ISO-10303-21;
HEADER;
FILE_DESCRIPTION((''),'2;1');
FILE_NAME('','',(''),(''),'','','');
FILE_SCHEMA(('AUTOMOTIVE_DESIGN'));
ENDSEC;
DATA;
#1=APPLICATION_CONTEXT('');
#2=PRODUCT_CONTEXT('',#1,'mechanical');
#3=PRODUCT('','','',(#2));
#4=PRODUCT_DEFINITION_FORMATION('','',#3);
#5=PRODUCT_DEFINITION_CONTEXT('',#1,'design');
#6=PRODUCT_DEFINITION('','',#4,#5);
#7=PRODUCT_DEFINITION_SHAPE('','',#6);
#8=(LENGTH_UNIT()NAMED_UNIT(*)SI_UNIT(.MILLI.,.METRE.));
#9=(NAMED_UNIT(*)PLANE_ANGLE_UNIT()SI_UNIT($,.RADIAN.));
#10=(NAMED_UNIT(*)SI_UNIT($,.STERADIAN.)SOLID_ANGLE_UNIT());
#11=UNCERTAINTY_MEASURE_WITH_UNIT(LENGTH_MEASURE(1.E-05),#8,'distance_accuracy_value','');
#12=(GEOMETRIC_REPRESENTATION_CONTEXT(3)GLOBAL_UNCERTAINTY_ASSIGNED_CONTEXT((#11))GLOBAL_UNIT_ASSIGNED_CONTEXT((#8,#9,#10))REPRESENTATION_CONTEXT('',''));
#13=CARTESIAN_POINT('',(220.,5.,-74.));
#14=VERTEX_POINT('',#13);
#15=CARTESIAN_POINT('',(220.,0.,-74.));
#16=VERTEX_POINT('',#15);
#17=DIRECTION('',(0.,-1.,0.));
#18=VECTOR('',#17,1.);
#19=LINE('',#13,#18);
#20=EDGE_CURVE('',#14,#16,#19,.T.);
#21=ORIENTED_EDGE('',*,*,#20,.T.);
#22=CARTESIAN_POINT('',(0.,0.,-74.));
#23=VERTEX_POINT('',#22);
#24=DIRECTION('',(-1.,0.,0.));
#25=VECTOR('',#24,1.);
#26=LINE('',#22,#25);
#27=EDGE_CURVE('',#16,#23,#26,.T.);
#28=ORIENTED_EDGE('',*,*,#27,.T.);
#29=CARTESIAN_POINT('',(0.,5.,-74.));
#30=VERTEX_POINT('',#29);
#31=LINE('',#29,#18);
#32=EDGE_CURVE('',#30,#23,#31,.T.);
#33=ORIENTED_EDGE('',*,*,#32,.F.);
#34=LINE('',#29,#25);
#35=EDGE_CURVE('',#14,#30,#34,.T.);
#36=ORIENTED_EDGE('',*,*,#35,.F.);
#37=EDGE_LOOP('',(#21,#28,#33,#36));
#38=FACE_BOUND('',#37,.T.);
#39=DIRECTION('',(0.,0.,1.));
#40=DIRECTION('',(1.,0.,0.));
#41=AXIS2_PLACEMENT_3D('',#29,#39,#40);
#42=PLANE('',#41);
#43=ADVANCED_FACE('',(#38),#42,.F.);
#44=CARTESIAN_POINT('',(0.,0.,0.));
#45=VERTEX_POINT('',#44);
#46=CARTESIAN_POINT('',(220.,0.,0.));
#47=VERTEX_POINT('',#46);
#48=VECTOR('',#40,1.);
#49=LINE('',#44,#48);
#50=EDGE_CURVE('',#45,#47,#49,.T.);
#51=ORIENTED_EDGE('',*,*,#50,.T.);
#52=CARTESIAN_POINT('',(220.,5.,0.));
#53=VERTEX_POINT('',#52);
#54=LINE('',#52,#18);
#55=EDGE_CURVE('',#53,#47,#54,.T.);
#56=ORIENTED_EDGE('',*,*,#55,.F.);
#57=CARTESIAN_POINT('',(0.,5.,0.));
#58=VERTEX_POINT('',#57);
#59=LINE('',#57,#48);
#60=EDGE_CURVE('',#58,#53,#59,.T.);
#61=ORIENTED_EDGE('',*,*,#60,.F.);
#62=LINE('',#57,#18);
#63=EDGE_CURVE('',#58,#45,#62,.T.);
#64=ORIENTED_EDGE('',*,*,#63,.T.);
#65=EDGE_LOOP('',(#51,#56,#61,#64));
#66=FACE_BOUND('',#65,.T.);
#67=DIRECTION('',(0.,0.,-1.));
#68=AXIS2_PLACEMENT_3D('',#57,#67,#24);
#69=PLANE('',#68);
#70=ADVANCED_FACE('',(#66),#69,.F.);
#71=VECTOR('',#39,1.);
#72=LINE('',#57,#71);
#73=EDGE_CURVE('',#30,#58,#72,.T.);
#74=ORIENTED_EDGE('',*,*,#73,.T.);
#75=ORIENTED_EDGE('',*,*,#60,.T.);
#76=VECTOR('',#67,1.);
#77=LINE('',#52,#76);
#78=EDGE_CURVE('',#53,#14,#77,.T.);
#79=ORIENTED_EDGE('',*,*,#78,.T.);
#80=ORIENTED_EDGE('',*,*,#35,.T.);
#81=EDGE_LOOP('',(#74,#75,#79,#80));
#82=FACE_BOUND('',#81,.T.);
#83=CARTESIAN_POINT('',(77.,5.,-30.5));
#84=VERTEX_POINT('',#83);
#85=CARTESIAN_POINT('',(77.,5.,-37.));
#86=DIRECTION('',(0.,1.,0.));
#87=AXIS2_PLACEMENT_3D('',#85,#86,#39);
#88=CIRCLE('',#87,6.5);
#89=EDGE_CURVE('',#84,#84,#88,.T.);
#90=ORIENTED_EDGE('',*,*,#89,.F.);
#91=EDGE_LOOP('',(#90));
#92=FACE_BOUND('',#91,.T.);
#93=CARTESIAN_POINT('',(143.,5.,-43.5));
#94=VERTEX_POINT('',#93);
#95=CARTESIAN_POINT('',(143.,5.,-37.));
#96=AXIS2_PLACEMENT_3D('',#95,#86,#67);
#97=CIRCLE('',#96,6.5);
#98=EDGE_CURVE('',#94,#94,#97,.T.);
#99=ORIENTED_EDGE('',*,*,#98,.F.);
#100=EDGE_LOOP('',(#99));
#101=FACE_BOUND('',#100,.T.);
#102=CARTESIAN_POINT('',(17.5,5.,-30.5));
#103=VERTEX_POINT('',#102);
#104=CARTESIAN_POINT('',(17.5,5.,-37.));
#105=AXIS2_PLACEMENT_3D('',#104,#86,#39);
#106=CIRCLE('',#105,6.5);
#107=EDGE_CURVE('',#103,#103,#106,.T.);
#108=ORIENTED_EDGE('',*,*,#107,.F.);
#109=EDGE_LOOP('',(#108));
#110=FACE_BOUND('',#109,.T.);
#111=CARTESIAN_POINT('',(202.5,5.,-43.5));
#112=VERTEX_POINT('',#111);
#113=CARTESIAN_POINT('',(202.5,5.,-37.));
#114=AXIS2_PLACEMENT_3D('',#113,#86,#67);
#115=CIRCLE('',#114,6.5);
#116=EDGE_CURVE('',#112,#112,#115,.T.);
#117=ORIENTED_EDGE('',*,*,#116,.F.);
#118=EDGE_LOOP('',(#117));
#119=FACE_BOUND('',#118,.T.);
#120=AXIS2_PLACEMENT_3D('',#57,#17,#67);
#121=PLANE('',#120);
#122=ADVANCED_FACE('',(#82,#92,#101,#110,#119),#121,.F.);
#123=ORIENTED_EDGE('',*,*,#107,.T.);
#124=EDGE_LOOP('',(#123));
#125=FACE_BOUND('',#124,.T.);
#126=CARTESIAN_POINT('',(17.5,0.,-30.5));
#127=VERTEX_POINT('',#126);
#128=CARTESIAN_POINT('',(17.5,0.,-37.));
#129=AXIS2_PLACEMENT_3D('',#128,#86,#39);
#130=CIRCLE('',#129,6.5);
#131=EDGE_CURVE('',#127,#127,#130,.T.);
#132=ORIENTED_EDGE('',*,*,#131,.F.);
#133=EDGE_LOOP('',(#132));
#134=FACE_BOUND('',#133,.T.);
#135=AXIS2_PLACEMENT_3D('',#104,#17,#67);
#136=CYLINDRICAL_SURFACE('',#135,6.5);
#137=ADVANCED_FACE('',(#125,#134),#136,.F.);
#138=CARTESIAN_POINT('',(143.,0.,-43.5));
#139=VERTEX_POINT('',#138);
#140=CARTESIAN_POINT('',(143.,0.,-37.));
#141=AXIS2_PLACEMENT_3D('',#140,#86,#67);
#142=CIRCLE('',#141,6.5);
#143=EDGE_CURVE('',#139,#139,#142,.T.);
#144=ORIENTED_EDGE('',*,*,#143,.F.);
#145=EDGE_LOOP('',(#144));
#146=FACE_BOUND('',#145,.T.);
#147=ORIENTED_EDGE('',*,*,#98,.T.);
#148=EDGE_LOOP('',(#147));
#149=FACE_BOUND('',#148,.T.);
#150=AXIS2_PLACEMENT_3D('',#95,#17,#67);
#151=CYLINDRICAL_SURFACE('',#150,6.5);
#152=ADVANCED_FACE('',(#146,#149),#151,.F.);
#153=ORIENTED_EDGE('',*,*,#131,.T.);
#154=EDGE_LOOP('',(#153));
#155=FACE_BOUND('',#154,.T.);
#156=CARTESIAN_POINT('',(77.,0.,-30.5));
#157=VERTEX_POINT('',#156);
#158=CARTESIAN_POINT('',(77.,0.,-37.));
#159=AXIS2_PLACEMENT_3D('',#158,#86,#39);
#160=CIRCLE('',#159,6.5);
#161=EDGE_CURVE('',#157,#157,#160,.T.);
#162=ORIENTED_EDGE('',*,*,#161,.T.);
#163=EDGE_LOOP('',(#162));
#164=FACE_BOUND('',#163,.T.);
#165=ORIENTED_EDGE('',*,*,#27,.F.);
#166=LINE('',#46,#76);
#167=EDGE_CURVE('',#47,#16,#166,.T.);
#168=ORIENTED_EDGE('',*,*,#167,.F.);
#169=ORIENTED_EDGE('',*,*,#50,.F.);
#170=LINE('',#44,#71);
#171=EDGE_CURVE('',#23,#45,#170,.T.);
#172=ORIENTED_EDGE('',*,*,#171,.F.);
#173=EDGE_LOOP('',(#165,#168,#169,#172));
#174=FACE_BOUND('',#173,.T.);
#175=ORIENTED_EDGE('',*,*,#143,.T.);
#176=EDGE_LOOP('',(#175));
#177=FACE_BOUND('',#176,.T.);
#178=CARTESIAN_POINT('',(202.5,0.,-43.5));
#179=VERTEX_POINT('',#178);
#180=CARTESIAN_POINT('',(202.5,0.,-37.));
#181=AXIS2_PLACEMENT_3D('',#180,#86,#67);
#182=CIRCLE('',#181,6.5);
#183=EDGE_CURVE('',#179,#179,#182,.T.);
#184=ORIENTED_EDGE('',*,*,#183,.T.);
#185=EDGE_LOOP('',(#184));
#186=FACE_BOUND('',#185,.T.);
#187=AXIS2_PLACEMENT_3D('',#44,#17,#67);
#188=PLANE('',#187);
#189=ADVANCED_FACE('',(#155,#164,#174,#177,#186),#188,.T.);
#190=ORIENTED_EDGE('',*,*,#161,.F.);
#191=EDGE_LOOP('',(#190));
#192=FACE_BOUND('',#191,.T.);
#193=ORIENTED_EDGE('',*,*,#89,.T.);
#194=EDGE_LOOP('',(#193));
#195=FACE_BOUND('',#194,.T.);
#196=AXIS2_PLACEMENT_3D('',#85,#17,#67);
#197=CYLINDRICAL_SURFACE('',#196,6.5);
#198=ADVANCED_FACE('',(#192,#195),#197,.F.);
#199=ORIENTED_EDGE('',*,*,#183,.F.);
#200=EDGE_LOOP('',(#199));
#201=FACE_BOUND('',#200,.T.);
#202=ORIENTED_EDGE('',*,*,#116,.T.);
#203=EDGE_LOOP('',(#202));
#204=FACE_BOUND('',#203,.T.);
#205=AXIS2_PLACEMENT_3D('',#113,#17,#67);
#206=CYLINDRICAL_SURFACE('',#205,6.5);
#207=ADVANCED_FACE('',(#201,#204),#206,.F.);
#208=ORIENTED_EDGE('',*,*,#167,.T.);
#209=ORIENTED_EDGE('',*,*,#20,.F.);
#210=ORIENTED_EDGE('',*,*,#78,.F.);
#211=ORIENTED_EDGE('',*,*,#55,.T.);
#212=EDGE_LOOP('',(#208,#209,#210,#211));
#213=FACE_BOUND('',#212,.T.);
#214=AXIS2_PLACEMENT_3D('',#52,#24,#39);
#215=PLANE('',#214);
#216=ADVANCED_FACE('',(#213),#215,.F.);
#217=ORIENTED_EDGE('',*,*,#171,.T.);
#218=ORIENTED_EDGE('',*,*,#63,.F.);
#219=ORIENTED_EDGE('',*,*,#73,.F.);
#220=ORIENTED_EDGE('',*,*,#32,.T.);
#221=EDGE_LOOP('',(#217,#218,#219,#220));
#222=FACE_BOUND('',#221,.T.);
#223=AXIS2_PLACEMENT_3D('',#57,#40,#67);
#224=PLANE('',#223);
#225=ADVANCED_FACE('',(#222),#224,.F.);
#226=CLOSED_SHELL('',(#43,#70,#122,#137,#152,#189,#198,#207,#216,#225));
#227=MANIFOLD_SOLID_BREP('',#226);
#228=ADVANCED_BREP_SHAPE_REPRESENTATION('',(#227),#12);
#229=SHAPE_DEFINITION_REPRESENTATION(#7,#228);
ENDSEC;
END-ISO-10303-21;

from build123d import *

# Parameters (mm, degrees)
SZKIC1_W                    = 220
SZKIC1_H                    = 74
SZKIC1_R                    = 6.5
DODANIE_WYCI_GNI_CIE1_DEPTH = 5


with BuildPart() as part:
    # Szkic1 → Dodanie-wyciągnięcie1 (new body)
    with BuildSketch(Plane(origin=(0, 0, 0), x_dir=(1, 0, 0), z_dir=(0, 1, 0))):
        with Locations((110, 37)):
            Rectangle(SZKIC1_W, SZKIC1_H)
        with Locations(Location((17.5, 37, 0), (0, 0, 270))):
            Circle(SZKIC1_R, mode=Mode.SUBTRACT)
        with Locations(Location((77, 37, 0), (0, 0, 270))):
            Circle(SZKIC1_R, mode=Mode.SUBTRACT)
        with Locations(Location((202.5, 37, 0), (0, 0, 90))):
            Circle(SZKIC1_R, mode=Mode.SUBTRACT)
        with Locations(Location((143, 37, 0), (0, 0, 90))):
            Circle(SZKIC1_R, mode=Mode.SUBTRACT)
    extrude(amount=DODANIE_WYCI_GNI_CIE1_DEPTH)


solid = part.part
